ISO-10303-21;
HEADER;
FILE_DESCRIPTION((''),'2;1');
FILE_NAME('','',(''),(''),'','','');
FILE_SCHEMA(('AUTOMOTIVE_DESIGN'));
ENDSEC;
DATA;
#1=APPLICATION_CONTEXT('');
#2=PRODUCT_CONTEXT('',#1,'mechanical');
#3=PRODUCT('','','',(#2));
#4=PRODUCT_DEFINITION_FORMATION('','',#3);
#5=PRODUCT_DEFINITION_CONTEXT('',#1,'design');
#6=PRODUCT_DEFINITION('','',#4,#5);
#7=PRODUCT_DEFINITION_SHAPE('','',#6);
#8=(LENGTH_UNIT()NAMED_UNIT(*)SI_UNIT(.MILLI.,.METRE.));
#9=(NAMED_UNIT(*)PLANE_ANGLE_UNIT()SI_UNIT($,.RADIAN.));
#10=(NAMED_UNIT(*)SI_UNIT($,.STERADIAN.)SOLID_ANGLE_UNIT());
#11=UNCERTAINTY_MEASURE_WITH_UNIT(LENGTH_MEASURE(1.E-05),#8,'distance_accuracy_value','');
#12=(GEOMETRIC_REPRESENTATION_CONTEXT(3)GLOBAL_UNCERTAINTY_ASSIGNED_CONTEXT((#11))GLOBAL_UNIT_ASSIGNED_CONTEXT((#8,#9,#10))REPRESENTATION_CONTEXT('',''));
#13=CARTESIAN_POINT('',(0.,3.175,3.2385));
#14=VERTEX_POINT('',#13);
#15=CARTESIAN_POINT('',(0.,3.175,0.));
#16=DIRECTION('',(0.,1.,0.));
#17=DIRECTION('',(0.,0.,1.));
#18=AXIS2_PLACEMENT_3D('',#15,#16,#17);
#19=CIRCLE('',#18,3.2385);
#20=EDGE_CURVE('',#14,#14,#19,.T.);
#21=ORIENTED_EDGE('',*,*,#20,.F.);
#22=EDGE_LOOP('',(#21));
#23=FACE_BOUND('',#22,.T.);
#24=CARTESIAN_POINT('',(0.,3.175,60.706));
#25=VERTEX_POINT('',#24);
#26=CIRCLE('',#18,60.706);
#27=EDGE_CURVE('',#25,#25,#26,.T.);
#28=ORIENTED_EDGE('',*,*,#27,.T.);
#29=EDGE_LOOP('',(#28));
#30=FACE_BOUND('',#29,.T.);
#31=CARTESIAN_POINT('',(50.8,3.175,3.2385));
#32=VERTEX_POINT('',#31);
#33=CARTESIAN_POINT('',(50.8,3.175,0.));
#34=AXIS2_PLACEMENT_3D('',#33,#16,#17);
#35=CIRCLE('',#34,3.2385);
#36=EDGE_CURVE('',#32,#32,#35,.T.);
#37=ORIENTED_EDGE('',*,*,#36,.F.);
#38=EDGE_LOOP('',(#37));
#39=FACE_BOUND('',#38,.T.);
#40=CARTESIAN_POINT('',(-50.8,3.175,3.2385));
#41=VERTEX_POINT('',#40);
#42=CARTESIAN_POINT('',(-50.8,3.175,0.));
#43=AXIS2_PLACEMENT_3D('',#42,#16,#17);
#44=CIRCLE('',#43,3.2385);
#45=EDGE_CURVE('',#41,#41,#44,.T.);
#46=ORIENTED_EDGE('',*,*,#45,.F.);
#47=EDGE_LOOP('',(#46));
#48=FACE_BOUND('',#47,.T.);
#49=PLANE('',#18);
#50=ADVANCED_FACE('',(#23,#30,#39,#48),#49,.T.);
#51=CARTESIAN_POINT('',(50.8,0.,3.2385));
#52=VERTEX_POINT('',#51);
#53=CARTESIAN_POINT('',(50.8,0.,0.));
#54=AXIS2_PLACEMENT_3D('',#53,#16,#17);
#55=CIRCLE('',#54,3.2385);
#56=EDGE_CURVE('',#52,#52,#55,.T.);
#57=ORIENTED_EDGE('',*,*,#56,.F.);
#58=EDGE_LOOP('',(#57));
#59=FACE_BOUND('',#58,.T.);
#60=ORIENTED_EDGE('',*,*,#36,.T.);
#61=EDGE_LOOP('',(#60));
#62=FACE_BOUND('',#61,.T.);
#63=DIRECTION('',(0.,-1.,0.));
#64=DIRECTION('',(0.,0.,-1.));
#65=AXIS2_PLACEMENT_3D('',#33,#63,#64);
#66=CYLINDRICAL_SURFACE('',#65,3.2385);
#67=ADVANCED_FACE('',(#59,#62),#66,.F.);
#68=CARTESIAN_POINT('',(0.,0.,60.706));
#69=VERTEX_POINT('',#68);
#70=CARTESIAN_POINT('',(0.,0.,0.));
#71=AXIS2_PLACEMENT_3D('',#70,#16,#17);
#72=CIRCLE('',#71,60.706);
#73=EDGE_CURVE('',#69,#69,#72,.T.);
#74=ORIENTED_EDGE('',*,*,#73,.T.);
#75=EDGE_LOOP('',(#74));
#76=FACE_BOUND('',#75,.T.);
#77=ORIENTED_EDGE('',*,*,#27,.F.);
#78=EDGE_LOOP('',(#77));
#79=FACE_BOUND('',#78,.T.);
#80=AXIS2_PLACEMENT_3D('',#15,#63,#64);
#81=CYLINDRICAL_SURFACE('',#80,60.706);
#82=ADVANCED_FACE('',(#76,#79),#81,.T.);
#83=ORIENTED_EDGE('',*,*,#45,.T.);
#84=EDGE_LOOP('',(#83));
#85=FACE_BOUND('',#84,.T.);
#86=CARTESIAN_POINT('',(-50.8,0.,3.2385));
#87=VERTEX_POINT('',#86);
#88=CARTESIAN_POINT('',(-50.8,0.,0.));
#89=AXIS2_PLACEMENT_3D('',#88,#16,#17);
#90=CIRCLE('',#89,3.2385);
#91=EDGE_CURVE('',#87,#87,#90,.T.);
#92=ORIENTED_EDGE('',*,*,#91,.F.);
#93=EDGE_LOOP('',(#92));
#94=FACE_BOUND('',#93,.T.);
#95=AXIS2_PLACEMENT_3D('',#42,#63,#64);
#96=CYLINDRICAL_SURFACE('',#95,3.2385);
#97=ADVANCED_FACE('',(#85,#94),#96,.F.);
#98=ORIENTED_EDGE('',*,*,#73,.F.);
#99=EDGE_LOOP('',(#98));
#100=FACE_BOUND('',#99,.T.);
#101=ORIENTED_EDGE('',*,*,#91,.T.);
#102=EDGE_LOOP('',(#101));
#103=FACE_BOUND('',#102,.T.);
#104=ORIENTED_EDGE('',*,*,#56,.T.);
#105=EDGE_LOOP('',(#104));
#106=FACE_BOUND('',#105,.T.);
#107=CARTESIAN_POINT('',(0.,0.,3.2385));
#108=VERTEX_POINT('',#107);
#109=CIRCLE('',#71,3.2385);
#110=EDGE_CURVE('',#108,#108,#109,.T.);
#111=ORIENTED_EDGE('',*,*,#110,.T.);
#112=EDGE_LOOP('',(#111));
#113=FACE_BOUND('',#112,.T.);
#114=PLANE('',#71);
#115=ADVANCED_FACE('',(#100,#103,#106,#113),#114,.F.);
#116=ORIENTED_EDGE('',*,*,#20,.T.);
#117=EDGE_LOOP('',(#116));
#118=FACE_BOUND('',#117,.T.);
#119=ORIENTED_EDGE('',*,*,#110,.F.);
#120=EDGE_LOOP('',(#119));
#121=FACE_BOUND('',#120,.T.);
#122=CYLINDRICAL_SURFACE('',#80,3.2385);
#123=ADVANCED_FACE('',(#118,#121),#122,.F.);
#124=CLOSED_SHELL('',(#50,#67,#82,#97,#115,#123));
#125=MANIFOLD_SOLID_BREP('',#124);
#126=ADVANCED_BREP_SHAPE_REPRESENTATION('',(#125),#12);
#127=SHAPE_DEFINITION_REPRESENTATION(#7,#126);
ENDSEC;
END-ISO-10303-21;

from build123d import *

# Parameters (mm, degrees)
SKETCH2_R           = 60.706
SKETCH2_R_2         = 3.2385
BOSS_EXTRUDE1_DEPTH = 3.175


with BuildPart() as part:
    # Sketch2 → Boss-Extrude1 (new body)
    with BuildSketch(Plane(origin=(0, 0, 0), x_dir=(1, 0, 0), z_dir=(0, 1, 0))):
        Circle(SKETCH2_R)
        with Locations((-50.8, 0)):
            Circle(SKETCH2_R_2, mode=Mode.SUBTRACT)
        with Locations((50.8, 0)):
            Circle(SKETCH2_R_2, mode=Mode.SUBTRACT)
        Circle(SKETCH2_R_2, mode=Mode.SUBTRACT)
    extrude(amount=BOSS_EXTRUDE1_DEPTH)


solid = part.part
